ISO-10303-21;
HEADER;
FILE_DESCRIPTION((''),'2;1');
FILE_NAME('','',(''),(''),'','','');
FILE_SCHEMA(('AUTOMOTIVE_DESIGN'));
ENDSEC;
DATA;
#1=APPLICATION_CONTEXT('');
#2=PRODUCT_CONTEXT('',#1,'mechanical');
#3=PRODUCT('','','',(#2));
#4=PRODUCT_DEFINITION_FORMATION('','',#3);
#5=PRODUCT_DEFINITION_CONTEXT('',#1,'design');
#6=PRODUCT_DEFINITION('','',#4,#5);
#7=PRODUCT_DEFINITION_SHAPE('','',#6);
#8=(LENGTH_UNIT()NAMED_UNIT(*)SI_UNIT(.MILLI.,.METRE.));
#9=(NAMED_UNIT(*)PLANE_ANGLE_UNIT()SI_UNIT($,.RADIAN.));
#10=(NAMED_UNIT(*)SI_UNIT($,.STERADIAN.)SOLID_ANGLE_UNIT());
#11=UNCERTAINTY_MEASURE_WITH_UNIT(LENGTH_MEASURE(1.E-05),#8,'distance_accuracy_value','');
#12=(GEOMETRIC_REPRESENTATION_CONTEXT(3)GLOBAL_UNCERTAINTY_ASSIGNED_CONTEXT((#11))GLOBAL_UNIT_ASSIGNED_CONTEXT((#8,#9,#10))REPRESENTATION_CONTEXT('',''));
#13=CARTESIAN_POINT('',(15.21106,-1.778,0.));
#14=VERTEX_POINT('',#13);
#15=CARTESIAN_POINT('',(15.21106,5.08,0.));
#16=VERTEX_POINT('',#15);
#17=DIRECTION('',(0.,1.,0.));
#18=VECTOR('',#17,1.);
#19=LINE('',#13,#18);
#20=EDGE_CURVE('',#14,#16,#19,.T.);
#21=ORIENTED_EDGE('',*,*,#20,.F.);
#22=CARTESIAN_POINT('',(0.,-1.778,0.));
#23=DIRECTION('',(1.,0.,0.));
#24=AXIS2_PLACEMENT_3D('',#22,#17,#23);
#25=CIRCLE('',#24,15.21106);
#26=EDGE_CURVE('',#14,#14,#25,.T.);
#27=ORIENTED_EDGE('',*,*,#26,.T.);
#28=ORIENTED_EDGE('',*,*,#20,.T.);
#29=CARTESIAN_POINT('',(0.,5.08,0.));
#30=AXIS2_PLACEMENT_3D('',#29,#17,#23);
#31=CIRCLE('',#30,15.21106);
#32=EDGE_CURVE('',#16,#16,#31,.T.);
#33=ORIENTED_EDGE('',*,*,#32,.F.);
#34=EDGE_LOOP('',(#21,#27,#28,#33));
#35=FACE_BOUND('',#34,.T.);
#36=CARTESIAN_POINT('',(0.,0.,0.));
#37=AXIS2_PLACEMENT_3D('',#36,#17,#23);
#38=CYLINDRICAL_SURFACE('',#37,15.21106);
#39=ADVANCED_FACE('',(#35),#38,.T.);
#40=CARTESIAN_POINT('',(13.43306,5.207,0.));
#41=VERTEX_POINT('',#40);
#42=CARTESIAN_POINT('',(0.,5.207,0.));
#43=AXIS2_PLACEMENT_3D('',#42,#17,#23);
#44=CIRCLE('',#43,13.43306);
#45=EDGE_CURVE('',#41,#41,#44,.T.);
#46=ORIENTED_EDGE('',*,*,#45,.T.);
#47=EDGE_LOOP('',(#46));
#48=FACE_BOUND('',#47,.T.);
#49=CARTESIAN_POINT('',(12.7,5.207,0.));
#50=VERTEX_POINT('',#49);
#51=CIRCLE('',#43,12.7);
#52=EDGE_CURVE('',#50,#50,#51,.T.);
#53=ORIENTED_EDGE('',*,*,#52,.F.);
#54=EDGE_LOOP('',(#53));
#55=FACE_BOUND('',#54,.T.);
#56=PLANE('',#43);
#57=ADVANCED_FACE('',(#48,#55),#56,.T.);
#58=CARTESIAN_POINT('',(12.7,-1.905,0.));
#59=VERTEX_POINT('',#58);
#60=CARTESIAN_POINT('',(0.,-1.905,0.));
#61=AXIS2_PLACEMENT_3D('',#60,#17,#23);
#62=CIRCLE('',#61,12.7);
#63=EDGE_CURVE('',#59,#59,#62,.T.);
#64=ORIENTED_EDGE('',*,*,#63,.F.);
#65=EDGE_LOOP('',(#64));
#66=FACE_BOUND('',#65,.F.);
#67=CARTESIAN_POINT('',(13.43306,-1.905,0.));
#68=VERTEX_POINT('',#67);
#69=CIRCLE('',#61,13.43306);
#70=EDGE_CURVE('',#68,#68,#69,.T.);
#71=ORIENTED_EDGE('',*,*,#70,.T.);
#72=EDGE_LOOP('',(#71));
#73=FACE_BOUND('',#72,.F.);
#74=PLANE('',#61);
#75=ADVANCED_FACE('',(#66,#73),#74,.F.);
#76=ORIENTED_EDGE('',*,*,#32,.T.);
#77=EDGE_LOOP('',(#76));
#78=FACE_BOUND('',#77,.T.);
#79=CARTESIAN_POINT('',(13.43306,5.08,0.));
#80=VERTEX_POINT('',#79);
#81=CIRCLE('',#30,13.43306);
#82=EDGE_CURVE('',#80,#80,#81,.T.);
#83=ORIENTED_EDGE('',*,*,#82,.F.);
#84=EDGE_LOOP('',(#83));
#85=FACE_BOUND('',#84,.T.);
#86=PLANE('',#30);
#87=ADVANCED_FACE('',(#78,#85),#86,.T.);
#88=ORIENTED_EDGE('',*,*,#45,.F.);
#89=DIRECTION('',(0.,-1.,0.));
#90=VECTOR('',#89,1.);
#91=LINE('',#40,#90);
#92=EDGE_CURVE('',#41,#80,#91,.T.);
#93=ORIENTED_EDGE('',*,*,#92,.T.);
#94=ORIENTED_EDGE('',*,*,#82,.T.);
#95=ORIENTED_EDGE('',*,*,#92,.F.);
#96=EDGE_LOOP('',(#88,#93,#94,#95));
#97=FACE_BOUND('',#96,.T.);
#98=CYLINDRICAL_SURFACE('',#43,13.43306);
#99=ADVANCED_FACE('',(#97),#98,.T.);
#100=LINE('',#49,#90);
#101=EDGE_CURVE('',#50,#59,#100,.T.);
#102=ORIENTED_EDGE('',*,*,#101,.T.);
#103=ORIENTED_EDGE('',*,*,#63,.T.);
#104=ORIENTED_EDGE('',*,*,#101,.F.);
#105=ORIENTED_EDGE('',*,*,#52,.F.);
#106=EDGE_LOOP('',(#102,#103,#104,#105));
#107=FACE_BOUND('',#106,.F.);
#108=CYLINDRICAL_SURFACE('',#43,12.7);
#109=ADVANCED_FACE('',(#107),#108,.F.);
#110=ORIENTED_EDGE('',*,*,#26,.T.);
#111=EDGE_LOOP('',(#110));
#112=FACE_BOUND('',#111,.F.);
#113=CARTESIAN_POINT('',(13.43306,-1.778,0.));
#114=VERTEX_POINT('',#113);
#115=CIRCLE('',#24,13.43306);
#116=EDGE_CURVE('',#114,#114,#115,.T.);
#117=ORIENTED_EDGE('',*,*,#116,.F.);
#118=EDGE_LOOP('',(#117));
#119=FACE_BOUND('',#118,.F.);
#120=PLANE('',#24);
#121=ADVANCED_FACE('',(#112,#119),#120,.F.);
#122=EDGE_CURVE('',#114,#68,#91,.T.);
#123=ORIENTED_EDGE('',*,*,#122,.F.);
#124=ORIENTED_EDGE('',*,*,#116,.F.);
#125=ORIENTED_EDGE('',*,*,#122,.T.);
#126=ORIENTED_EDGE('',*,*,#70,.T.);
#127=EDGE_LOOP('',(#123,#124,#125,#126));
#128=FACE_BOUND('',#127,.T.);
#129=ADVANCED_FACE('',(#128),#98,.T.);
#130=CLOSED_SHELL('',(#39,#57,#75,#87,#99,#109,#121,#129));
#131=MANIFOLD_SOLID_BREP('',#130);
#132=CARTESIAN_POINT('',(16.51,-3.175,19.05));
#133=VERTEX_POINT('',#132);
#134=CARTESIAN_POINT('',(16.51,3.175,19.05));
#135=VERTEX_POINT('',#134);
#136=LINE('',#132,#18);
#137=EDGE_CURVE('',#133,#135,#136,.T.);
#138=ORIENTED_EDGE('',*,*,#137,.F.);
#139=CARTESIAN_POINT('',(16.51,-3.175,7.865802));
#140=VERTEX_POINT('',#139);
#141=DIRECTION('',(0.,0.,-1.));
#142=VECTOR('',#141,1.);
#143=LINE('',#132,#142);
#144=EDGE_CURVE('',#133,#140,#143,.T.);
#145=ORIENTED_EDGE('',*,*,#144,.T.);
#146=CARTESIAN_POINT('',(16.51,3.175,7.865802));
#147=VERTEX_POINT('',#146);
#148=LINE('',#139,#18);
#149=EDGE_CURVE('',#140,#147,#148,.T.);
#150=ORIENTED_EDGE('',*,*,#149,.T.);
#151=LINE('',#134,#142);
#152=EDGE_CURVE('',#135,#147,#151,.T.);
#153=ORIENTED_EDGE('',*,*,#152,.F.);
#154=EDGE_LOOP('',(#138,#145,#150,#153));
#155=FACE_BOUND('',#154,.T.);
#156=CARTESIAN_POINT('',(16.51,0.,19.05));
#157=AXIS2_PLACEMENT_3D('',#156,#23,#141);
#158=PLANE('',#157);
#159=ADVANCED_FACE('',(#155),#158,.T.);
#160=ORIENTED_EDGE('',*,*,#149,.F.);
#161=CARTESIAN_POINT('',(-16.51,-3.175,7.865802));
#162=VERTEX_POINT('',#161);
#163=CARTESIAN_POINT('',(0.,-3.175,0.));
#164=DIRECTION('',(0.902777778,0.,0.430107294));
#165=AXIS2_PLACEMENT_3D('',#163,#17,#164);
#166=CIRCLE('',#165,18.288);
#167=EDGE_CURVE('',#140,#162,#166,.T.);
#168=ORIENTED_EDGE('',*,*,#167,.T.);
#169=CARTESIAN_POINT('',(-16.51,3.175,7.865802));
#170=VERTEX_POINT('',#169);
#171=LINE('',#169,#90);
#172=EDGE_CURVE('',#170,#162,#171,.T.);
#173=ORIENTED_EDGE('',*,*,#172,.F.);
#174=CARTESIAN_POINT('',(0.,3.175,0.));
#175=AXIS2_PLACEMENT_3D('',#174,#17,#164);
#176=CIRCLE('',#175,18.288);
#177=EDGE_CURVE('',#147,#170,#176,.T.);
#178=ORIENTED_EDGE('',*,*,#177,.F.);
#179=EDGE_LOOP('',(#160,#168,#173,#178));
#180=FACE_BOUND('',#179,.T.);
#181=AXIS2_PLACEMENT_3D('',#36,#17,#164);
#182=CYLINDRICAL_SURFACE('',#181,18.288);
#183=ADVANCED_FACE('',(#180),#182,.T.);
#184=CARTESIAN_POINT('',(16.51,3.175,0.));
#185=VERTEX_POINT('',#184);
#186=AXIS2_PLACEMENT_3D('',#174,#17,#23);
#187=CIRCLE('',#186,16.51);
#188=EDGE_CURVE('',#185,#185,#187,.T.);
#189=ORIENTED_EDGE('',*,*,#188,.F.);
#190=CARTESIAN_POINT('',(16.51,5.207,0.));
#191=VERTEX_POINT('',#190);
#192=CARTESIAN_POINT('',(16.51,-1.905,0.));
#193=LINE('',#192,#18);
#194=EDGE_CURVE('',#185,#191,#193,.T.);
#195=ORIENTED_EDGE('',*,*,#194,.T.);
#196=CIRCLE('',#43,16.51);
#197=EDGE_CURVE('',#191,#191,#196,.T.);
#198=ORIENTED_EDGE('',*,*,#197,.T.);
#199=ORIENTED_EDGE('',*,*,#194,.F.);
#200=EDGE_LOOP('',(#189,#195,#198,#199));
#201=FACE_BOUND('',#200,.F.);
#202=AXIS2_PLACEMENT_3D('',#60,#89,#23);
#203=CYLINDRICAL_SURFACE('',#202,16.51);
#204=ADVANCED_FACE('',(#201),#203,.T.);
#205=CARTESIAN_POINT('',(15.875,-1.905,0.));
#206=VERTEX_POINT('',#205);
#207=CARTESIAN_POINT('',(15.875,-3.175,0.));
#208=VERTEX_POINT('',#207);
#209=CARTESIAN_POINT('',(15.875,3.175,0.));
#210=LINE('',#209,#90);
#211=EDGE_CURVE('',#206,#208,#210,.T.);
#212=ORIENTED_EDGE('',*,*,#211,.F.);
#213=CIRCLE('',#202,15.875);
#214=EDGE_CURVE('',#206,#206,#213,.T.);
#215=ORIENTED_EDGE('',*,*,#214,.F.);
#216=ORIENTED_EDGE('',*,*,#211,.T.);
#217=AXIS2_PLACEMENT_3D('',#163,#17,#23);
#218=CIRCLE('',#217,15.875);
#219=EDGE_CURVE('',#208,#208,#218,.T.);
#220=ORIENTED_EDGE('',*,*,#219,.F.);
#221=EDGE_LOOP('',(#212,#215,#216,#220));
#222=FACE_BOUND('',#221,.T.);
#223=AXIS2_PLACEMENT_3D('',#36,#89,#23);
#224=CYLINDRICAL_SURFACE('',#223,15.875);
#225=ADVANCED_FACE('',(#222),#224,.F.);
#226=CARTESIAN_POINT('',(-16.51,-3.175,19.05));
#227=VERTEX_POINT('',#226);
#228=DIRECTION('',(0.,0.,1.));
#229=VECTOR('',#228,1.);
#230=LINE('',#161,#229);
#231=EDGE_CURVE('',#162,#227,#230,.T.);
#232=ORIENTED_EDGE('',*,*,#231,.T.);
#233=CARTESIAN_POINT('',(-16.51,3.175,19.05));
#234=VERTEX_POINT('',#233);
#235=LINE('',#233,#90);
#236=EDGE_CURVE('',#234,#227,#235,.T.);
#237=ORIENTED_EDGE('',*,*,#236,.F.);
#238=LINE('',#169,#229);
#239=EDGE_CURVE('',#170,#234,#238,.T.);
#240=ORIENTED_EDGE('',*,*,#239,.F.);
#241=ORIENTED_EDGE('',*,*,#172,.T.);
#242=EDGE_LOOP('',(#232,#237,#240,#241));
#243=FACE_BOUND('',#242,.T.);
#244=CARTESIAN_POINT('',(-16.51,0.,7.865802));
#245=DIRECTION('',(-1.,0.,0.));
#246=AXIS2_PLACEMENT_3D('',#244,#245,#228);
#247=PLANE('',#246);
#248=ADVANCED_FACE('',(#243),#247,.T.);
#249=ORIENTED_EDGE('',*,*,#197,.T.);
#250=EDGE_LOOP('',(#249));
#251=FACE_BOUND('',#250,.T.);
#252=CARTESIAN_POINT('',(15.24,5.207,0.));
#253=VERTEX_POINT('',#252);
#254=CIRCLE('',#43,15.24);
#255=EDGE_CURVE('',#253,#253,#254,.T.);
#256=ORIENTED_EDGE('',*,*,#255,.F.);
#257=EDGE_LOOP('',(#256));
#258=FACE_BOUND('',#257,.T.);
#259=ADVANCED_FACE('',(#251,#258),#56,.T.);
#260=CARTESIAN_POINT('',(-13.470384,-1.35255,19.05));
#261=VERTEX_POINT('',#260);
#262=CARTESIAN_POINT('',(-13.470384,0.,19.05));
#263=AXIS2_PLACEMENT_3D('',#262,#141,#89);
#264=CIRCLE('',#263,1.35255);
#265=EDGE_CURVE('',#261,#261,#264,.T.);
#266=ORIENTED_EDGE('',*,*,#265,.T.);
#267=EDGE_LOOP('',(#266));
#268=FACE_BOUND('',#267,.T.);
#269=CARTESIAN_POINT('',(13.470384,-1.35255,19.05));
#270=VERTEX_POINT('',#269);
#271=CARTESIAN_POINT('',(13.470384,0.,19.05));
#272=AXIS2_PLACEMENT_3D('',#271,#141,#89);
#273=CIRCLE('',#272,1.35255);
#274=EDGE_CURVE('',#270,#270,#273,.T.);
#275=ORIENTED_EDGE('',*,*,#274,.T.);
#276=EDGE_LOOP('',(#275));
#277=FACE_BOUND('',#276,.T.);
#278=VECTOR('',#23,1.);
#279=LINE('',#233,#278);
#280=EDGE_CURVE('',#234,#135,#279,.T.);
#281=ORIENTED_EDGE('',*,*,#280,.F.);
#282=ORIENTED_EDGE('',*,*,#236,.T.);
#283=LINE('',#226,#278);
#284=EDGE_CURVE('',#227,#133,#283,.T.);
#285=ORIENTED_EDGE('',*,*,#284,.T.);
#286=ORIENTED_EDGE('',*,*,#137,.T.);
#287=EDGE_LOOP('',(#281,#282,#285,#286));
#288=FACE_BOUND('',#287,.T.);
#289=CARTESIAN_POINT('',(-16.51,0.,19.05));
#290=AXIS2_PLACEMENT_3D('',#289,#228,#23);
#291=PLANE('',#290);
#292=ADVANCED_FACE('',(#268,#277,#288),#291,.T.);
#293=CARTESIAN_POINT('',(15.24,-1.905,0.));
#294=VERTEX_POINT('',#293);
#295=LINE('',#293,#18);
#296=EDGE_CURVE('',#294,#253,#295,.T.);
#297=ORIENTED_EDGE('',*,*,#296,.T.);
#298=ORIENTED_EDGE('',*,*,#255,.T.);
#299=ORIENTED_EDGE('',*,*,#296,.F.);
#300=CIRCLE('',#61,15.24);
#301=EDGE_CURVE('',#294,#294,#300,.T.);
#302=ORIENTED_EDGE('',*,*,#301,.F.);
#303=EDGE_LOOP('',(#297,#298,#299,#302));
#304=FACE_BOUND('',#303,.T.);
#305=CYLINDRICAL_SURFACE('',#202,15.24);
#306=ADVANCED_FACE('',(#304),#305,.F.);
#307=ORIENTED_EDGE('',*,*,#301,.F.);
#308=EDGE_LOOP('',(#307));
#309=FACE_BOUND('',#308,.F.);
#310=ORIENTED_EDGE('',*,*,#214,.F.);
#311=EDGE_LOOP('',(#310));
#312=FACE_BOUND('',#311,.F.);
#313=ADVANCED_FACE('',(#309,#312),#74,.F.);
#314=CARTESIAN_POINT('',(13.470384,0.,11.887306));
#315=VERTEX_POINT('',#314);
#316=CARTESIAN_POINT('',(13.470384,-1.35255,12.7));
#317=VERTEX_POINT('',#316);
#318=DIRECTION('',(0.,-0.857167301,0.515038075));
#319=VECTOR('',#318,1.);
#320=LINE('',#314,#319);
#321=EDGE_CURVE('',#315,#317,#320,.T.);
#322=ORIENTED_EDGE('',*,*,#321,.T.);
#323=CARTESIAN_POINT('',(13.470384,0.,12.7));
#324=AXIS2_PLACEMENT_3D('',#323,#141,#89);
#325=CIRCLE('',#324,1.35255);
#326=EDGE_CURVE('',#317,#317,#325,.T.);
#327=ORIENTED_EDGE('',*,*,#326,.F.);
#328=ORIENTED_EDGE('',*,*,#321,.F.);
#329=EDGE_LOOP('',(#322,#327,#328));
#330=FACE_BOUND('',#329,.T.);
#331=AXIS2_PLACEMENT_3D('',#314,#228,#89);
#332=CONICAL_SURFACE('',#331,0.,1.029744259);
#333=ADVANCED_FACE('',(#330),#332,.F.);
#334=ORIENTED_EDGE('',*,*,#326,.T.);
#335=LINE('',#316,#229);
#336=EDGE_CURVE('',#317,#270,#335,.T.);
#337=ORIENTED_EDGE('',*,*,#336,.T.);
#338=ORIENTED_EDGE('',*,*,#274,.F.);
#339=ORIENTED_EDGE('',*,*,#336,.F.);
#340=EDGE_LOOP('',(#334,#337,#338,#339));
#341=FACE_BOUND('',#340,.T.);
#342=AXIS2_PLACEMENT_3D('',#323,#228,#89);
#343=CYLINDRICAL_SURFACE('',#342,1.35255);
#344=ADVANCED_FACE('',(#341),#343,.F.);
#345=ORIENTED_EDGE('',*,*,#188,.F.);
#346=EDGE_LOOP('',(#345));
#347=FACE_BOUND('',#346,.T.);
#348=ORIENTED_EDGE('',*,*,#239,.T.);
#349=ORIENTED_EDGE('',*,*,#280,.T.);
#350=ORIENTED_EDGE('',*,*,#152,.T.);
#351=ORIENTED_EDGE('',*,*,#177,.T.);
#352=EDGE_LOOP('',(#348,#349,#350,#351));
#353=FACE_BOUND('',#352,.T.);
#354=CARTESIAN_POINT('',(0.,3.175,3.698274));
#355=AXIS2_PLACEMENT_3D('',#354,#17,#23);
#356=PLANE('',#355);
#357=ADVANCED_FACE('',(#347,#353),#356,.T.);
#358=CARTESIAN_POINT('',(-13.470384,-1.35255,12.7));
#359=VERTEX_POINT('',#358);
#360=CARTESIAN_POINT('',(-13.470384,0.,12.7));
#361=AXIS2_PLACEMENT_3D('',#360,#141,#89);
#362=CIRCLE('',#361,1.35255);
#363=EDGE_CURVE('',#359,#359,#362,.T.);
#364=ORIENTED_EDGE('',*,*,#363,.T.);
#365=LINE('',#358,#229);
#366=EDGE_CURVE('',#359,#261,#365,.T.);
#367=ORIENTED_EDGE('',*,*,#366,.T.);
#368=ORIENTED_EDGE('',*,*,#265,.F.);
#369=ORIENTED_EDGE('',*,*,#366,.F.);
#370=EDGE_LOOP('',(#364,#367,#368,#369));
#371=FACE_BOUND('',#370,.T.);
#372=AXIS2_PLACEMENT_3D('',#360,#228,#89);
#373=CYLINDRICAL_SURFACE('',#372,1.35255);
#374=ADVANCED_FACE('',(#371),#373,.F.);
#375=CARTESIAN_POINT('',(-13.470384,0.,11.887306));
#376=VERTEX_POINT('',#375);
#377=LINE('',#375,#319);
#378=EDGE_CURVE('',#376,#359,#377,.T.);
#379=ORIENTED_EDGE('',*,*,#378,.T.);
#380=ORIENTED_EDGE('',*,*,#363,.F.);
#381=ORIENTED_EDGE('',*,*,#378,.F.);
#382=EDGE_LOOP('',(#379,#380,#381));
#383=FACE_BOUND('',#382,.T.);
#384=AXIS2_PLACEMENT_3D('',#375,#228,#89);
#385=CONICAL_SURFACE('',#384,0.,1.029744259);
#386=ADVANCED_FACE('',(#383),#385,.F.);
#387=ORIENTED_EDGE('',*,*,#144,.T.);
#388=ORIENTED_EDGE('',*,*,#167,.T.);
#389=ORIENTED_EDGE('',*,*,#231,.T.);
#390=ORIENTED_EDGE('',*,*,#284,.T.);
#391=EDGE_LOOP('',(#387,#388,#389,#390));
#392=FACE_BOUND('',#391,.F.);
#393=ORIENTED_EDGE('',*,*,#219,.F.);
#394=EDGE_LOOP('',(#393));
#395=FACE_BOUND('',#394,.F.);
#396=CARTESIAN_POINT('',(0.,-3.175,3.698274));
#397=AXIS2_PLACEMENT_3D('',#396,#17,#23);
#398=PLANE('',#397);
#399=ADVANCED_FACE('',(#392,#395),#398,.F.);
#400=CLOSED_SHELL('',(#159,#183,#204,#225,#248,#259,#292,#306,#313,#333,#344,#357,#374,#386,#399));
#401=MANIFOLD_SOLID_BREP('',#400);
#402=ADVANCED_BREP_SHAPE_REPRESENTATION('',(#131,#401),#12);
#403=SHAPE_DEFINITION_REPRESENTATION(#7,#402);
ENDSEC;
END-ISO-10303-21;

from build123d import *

# Parameters (mm, degrees)
SKETCH1_R                      = 15.875
BOSS_EXTRUDE1_DEPTH            = 3.175
SKETCH2_R                      = 16.51
CUT_EXTRUDE1_DEPTH             = 5.08
SKETCH3_R                      = 16.51
SKETCH3_R_2                    = 15.24
BOSS_EXTRUDE2_DEPTH            = 7.112
SKETCH4_R                      = 15.211059678
SKETCH4_R_2                    = 13.433059678
BOSS_EXTRUDE3_DEPTH            = 5.08
BOSS_EXTRUDE3_DEPTH_BACK       = 1.778
SKETCH5_R                      = 13.433059678
SKETCH5_R_2                    = 12.7
BOSS_EXTRUDE4_DEPTH            = 7.112
F_6_32_TAPPED_HOLE1_AT_2_COUNT = 2
F_6_32_TAPPED_HOLE1_AT_2_PITCH = 26.940768363


with BuildPart() as part:
    # Sketch1 → Boss-Extrude1 (new body, symmetric)
    with BuildSketch(Plane(origin=(0, 0, 0), x_dir=(1, 0, 0), z_dir=(0, 1, 0))):
        with BuildLine():
            Line((-16.51, -19.05), (16.51, -19.05))
            Line((16.51, -19.05), (16.51, -7.865802184))
            ThreePointArc((16.51, -7.865802184), (0, 18.288), (-16.51, -7.865802184))
            Line((-16.51, -7.865802184), (-16.51, -19.05))
        make_face()
        Circle(SKETCH1_R, mode=Mode.SUBTRACT)
    extrude(amount=BOSS_EXTRUDE1_DEPTH, both=True)

    # Sketch2 → Cut-Extrude1 (cut)
    with BuildSketch(Plane(origin=(0, 3.175, 0), x_dir=(1, 0, 0), z_dir=(0, 1, 0))):
        Circle(SKETCH2_R)
    extrude(amount=-CUT_EXTRUDE1_DEPTH, mode=Mode.SUBTRACT)

    # Sketch3 → Boss-Extrude2 (add)
    with BuildSketch(Plane(origin=(0, -1.905, 0), x_dir=(1, 0, 0), z_dir=(0, 1, 0))):
        Circle(SKETCH3_R)
        Circle(SKETCH3_R_2, mode=Mode.SUBTRACT)
    extrude(amount=BOSS_EXTRUDE2_DEPTH)

    # Sketch7 → #6-32 Tapped Hole1 (revolve, cut)
    with BuildSketch(Plane(origin=(13.470384182, 0, 19.05), x_dir=(0, -1, 0), z_dir=(1, 0, 0))):
        Polygon((0, 0), (0, 7.16269403), (1.35255, 6.35), (1.35255, 0), align=None)
    f_6_32_tapped_hole1 = revolve(axis=Axis((13.470384182, 0, 25.4), (0, 0, -1)), mode=Mode.SUBTRACT)

    # #6-32 Tapped Hole1 at 2: #6-32 Tapped Hole1 ×2
    with Locations(*[(-i * F_6_32_TAPPED_HOLE1_AT_2_PITCH, 0, 0) for i in range(1, F_6_32_TAPPED_HOLE1_AT_2_COUNT)]):
        add(f_6_32_tapped_hole1, mode=Mode.SUBTRACT)


with BuildPart() as body_2:
    # Sketch4 → Boss-Extrude3 (new body, two sides)
    with BuildSketch(Plane(origin=(0, 0, 0), x_dir=(1, 0, 0), z_dir=(0, 1, 0))) as boss_extrude3_sk:
        Circle(SKETCH4_R)
        Circle(SKETCH4_R_2, mode=Mode.SUBTRACT)
    extrude(amount=BOSS_EXTRUDE3_DEPTH)
    extrude(boss_extrude3_sk.sketch, amount=-BOSS_EXTRUDE3_DEPTH_BACK)

    # Sketch5 → Boss-Extrude4 (add)
    with BuildSketch(Plane(origin=(0, 5.207, 0), x_dir=(1, 0, 0), z_dir=(0, 1, 0))):
        Circle(SKETCH5_R)
        Circle(SKETCH5_R_2, mode=Mode.SUBTRACT)
    extrude(amount=-BOSS_EXTRUDE4_DEPTH)


solid = Compound([part.part, body_2.part])
